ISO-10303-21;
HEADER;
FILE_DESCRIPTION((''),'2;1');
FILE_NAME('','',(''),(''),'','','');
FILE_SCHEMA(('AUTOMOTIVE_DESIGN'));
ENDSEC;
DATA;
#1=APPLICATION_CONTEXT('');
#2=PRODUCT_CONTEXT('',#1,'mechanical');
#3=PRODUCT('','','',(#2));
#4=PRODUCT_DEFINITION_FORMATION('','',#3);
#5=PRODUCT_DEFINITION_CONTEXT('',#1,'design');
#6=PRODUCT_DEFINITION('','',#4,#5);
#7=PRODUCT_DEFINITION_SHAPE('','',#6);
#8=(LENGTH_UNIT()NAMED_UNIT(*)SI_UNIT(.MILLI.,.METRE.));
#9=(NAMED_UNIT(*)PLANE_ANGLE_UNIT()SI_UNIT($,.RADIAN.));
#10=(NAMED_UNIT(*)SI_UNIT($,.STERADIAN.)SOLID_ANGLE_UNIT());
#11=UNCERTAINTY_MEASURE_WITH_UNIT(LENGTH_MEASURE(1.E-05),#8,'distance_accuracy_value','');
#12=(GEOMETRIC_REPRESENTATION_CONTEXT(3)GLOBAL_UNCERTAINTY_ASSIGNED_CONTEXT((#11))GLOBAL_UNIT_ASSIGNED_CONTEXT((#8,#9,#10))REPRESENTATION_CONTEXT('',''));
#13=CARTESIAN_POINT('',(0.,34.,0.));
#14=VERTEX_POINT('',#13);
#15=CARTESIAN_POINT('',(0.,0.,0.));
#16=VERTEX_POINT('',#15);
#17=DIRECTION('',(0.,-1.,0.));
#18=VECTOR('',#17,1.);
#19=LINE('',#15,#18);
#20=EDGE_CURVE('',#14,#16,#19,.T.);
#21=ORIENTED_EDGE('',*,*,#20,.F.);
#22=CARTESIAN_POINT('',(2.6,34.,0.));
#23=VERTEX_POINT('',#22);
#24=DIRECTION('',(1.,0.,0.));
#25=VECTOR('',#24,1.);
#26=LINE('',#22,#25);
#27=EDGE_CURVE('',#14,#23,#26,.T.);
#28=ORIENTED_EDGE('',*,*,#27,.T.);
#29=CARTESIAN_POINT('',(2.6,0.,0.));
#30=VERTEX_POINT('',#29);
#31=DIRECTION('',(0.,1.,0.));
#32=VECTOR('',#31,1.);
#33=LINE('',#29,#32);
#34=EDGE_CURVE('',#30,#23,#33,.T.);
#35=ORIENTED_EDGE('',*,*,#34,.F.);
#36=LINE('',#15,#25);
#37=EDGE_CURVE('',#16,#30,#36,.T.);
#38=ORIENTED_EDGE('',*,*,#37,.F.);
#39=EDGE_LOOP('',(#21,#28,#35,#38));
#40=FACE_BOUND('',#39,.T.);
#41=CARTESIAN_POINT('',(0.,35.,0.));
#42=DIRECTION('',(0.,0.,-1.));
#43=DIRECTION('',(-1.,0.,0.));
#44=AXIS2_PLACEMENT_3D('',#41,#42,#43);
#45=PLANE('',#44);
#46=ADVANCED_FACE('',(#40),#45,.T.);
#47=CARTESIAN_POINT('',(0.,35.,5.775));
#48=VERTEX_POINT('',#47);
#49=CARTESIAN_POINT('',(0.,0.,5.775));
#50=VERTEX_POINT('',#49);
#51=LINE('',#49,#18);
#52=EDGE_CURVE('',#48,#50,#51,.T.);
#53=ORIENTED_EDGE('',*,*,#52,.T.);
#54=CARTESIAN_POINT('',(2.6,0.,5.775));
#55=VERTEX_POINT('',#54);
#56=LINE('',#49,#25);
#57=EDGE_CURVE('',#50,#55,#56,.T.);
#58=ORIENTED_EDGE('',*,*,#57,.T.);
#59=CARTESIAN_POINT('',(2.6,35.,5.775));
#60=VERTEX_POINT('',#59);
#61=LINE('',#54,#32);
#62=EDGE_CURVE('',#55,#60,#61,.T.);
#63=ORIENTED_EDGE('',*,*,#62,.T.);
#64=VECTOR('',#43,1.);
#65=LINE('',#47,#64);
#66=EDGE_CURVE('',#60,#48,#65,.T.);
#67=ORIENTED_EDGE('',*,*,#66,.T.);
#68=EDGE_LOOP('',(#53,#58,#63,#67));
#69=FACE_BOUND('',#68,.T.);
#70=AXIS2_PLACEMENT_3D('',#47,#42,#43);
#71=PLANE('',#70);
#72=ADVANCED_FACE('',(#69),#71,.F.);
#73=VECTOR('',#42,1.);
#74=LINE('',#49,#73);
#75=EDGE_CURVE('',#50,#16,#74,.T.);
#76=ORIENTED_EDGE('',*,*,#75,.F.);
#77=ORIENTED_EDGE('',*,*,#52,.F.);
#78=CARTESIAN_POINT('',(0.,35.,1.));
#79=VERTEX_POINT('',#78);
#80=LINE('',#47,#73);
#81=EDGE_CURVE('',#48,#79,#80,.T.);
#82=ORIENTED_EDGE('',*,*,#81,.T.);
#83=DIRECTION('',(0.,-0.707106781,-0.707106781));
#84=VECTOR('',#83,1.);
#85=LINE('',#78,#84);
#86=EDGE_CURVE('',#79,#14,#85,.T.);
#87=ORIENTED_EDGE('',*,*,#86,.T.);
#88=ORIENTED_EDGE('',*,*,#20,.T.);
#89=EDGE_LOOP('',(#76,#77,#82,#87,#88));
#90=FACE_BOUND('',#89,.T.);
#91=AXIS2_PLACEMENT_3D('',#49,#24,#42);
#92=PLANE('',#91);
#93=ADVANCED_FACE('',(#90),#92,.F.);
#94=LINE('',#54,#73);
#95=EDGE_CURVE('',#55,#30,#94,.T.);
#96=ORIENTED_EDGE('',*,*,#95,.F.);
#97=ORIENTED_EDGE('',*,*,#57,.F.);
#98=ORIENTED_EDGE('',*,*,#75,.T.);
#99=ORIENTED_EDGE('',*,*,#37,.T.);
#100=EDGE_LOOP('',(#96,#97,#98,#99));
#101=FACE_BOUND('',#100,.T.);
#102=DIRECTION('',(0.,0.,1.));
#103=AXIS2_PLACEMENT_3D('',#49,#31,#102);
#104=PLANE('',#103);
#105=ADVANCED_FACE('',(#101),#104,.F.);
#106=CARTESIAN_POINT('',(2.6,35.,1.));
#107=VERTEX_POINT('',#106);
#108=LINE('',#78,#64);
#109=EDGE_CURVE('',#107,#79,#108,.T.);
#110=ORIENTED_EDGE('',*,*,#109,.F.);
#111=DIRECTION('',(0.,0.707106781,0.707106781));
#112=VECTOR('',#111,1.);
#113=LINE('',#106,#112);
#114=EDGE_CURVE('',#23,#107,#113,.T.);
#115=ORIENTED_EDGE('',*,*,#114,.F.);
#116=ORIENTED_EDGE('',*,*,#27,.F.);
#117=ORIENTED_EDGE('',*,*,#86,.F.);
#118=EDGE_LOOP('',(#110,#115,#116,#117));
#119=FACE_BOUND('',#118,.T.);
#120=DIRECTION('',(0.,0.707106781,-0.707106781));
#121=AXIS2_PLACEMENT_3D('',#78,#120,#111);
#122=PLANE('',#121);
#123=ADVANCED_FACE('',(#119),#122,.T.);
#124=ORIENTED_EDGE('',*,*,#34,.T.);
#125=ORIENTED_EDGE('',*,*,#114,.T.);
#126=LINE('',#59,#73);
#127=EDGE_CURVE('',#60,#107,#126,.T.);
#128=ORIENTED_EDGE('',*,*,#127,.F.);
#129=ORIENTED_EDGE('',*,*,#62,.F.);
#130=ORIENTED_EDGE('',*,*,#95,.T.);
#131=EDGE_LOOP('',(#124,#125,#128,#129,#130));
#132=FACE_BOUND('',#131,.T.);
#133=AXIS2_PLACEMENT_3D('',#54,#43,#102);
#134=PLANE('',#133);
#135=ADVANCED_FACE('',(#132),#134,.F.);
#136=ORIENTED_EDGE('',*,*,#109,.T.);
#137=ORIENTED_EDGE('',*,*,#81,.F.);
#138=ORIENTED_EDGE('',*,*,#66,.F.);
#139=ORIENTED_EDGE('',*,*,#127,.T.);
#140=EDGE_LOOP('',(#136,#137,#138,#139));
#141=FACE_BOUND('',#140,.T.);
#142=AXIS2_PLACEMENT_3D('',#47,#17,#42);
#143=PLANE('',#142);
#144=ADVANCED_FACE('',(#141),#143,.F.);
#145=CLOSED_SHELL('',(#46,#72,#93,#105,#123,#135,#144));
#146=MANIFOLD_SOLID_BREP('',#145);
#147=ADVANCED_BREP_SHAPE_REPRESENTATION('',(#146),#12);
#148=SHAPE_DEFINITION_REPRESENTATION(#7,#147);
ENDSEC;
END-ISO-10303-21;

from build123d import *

# Parameters (mm, degrees)
SKETCH1_W           = 2.6
SKETCH1_H           = 35
BOSS_EXTRUDE1_DEPTH = 5.775
CHAMFER1_SIZE       = 1


with BuildPart() as part:
    # Sketch1 → Boss-Extrude1 (new body)
    with BuildSketch(Plane.XY):
        with Locations((1.3, 17.5)):
            Rectangle(SKETCH1_W, SKETCH1_H)
    extrude(amount=BOSS_EXTRUDE1_DEPTH)

    # Chamfer1
    chamfer1_edges = [part.edges().sort_by_distance(p)[0] for p in [
        (1.3, 35, 0),
    ]]
    chamfer(chamfer1_edges, length=CHAMFER1_SIZE)


solid = part.part
